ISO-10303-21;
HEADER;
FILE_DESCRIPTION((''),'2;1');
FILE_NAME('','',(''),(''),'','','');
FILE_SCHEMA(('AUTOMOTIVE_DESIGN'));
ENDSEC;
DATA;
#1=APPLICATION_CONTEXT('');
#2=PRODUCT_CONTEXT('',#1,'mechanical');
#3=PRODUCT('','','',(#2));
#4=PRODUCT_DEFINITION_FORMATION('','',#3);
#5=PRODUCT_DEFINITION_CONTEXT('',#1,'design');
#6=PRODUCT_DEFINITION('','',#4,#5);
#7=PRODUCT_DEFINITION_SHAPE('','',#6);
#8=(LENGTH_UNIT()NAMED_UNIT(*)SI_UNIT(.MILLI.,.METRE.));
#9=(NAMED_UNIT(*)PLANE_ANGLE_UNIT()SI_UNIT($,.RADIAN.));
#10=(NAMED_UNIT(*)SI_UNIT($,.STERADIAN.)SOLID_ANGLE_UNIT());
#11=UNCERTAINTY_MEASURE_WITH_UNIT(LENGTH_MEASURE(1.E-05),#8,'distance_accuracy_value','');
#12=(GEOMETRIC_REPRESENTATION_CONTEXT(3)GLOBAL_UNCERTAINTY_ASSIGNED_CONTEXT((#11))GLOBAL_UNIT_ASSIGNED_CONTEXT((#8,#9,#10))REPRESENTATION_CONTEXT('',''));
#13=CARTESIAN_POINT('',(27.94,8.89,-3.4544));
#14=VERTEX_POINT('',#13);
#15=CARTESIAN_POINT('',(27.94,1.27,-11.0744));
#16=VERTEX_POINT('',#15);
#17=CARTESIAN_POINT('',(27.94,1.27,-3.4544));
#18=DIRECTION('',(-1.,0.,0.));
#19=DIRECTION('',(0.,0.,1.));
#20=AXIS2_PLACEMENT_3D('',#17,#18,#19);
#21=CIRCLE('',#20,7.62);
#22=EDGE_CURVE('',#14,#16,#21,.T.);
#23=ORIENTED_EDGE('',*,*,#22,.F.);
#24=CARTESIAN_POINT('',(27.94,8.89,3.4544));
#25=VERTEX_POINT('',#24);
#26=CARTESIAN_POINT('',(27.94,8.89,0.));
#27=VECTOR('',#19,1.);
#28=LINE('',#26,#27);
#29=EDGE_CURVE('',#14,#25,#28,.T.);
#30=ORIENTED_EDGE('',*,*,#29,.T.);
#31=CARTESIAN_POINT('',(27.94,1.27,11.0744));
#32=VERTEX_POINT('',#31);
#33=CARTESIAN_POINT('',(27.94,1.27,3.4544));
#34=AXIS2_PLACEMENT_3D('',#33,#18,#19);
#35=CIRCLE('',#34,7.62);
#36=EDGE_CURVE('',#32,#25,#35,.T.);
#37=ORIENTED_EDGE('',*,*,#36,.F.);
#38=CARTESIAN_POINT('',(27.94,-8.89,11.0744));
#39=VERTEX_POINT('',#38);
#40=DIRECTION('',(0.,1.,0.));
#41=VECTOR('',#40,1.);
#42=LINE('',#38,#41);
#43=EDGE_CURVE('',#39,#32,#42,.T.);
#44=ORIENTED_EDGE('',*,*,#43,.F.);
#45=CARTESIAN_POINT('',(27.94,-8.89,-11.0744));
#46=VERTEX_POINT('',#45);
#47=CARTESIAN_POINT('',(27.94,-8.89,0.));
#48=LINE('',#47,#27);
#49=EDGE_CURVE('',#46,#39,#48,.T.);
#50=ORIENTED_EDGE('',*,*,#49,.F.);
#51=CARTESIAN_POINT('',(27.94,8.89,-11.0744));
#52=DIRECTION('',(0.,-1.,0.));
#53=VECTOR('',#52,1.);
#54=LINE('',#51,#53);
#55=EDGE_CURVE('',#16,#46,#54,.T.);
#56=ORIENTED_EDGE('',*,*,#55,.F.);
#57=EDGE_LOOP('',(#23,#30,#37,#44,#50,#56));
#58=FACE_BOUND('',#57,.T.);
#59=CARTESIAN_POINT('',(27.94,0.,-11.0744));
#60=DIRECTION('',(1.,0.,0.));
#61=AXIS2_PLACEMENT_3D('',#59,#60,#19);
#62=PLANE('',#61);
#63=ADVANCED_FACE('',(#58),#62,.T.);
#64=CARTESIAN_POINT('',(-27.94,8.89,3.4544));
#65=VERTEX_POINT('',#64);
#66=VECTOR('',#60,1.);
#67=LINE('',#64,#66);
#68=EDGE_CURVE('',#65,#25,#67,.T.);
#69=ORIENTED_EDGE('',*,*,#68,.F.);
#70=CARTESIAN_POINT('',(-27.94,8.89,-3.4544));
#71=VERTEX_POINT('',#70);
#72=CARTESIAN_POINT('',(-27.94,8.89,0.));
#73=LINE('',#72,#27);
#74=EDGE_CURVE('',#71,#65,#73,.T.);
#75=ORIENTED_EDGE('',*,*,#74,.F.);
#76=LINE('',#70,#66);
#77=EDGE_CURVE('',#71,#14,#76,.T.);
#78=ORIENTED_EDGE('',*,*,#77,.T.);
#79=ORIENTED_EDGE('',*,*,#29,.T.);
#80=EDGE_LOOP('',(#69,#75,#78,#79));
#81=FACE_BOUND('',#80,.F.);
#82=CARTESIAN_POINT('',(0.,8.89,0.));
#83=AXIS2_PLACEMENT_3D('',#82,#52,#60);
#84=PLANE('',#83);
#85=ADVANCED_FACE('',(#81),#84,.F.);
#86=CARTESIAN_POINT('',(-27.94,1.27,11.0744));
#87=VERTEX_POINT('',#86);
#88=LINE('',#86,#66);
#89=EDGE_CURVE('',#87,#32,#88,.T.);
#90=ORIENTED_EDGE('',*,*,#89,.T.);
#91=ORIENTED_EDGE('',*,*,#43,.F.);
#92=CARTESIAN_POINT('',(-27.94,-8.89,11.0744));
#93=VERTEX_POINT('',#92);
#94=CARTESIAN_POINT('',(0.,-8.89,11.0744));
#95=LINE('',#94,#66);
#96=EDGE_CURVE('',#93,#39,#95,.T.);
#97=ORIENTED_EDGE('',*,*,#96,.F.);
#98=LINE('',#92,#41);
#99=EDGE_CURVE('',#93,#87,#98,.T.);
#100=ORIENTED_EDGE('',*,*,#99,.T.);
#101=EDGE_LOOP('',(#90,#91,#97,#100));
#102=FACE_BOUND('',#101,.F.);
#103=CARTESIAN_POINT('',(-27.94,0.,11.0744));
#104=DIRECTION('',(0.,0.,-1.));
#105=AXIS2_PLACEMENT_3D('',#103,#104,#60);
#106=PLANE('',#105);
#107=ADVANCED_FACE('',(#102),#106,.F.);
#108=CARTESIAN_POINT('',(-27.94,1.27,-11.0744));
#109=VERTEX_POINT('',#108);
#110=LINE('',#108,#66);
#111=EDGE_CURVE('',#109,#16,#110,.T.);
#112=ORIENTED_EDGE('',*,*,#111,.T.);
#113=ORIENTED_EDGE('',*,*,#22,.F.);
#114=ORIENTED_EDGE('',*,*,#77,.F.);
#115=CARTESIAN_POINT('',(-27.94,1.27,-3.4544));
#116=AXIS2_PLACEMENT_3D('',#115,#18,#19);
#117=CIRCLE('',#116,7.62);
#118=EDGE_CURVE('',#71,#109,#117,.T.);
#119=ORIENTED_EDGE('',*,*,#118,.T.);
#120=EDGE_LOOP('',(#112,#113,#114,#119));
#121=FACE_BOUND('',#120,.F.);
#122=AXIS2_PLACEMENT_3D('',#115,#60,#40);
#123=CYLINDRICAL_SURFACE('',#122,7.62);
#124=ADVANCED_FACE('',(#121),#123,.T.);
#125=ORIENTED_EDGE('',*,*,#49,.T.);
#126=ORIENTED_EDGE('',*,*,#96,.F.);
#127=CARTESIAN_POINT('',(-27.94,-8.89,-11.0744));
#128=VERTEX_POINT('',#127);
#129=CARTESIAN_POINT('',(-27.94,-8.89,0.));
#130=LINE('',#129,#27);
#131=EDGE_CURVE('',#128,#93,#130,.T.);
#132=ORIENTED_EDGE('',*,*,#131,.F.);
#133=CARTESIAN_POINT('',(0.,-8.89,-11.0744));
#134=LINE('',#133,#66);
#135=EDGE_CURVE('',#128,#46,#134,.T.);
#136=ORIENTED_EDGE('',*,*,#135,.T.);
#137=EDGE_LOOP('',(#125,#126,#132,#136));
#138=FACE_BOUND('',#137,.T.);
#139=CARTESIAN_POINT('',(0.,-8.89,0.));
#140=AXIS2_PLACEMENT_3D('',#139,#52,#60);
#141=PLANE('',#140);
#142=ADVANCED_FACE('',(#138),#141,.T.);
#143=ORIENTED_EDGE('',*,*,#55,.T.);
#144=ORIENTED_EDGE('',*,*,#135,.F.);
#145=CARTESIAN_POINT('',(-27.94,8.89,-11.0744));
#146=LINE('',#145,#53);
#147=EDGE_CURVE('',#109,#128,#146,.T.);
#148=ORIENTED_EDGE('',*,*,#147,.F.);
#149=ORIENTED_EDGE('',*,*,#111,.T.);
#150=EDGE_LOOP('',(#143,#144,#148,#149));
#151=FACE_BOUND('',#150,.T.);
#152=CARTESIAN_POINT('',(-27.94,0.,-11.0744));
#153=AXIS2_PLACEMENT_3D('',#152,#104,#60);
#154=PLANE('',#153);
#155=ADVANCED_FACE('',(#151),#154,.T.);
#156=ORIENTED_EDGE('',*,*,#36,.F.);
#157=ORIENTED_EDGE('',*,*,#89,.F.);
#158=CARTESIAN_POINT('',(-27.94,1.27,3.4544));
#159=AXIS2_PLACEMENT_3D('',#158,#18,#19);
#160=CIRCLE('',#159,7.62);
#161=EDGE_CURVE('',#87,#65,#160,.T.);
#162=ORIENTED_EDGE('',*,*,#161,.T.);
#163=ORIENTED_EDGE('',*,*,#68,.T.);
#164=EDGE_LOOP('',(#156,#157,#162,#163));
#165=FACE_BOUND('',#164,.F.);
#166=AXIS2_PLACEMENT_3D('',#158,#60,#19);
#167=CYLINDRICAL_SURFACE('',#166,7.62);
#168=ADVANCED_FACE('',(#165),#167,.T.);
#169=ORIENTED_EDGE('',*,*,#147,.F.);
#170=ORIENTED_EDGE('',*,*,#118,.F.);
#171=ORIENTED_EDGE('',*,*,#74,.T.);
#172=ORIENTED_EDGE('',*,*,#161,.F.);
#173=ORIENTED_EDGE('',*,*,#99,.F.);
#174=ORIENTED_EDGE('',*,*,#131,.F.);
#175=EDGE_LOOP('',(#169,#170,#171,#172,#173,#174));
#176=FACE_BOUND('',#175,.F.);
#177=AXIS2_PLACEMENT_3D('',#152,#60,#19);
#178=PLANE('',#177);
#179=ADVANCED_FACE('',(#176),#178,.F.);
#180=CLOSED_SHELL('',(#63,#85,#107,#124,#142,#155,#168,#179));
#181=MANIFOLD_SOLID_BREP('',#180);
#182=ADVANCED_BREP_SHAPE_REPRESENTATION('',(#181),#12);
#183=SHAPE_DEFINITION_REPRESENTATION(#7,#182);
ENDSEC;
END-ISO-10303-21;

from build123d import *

# Parameters (mm, degrees)
F0_W     = 55.88
F0_H     = 22.1488
F1_DEPTH = 8.89
F2_R     = 7.62


with BuildPart() as f1:
    # F0 (on Front) → F1 (new body, symmetric)
    with BuildSketch(Plane.XZ):
        Rectangle(F0_W, F0_H)
    extrude(amount=F1_DEPTH, both=True)

    # F2
    f2_edges = [f1.edges().sort_by_distance(p)[0] for p in [
        (0, 8.89, 11.0744),
        (0, 8.89, -11.0744),
    ]]
    fillet(f2_edges, radius=F2_R)


solid = f1.part
